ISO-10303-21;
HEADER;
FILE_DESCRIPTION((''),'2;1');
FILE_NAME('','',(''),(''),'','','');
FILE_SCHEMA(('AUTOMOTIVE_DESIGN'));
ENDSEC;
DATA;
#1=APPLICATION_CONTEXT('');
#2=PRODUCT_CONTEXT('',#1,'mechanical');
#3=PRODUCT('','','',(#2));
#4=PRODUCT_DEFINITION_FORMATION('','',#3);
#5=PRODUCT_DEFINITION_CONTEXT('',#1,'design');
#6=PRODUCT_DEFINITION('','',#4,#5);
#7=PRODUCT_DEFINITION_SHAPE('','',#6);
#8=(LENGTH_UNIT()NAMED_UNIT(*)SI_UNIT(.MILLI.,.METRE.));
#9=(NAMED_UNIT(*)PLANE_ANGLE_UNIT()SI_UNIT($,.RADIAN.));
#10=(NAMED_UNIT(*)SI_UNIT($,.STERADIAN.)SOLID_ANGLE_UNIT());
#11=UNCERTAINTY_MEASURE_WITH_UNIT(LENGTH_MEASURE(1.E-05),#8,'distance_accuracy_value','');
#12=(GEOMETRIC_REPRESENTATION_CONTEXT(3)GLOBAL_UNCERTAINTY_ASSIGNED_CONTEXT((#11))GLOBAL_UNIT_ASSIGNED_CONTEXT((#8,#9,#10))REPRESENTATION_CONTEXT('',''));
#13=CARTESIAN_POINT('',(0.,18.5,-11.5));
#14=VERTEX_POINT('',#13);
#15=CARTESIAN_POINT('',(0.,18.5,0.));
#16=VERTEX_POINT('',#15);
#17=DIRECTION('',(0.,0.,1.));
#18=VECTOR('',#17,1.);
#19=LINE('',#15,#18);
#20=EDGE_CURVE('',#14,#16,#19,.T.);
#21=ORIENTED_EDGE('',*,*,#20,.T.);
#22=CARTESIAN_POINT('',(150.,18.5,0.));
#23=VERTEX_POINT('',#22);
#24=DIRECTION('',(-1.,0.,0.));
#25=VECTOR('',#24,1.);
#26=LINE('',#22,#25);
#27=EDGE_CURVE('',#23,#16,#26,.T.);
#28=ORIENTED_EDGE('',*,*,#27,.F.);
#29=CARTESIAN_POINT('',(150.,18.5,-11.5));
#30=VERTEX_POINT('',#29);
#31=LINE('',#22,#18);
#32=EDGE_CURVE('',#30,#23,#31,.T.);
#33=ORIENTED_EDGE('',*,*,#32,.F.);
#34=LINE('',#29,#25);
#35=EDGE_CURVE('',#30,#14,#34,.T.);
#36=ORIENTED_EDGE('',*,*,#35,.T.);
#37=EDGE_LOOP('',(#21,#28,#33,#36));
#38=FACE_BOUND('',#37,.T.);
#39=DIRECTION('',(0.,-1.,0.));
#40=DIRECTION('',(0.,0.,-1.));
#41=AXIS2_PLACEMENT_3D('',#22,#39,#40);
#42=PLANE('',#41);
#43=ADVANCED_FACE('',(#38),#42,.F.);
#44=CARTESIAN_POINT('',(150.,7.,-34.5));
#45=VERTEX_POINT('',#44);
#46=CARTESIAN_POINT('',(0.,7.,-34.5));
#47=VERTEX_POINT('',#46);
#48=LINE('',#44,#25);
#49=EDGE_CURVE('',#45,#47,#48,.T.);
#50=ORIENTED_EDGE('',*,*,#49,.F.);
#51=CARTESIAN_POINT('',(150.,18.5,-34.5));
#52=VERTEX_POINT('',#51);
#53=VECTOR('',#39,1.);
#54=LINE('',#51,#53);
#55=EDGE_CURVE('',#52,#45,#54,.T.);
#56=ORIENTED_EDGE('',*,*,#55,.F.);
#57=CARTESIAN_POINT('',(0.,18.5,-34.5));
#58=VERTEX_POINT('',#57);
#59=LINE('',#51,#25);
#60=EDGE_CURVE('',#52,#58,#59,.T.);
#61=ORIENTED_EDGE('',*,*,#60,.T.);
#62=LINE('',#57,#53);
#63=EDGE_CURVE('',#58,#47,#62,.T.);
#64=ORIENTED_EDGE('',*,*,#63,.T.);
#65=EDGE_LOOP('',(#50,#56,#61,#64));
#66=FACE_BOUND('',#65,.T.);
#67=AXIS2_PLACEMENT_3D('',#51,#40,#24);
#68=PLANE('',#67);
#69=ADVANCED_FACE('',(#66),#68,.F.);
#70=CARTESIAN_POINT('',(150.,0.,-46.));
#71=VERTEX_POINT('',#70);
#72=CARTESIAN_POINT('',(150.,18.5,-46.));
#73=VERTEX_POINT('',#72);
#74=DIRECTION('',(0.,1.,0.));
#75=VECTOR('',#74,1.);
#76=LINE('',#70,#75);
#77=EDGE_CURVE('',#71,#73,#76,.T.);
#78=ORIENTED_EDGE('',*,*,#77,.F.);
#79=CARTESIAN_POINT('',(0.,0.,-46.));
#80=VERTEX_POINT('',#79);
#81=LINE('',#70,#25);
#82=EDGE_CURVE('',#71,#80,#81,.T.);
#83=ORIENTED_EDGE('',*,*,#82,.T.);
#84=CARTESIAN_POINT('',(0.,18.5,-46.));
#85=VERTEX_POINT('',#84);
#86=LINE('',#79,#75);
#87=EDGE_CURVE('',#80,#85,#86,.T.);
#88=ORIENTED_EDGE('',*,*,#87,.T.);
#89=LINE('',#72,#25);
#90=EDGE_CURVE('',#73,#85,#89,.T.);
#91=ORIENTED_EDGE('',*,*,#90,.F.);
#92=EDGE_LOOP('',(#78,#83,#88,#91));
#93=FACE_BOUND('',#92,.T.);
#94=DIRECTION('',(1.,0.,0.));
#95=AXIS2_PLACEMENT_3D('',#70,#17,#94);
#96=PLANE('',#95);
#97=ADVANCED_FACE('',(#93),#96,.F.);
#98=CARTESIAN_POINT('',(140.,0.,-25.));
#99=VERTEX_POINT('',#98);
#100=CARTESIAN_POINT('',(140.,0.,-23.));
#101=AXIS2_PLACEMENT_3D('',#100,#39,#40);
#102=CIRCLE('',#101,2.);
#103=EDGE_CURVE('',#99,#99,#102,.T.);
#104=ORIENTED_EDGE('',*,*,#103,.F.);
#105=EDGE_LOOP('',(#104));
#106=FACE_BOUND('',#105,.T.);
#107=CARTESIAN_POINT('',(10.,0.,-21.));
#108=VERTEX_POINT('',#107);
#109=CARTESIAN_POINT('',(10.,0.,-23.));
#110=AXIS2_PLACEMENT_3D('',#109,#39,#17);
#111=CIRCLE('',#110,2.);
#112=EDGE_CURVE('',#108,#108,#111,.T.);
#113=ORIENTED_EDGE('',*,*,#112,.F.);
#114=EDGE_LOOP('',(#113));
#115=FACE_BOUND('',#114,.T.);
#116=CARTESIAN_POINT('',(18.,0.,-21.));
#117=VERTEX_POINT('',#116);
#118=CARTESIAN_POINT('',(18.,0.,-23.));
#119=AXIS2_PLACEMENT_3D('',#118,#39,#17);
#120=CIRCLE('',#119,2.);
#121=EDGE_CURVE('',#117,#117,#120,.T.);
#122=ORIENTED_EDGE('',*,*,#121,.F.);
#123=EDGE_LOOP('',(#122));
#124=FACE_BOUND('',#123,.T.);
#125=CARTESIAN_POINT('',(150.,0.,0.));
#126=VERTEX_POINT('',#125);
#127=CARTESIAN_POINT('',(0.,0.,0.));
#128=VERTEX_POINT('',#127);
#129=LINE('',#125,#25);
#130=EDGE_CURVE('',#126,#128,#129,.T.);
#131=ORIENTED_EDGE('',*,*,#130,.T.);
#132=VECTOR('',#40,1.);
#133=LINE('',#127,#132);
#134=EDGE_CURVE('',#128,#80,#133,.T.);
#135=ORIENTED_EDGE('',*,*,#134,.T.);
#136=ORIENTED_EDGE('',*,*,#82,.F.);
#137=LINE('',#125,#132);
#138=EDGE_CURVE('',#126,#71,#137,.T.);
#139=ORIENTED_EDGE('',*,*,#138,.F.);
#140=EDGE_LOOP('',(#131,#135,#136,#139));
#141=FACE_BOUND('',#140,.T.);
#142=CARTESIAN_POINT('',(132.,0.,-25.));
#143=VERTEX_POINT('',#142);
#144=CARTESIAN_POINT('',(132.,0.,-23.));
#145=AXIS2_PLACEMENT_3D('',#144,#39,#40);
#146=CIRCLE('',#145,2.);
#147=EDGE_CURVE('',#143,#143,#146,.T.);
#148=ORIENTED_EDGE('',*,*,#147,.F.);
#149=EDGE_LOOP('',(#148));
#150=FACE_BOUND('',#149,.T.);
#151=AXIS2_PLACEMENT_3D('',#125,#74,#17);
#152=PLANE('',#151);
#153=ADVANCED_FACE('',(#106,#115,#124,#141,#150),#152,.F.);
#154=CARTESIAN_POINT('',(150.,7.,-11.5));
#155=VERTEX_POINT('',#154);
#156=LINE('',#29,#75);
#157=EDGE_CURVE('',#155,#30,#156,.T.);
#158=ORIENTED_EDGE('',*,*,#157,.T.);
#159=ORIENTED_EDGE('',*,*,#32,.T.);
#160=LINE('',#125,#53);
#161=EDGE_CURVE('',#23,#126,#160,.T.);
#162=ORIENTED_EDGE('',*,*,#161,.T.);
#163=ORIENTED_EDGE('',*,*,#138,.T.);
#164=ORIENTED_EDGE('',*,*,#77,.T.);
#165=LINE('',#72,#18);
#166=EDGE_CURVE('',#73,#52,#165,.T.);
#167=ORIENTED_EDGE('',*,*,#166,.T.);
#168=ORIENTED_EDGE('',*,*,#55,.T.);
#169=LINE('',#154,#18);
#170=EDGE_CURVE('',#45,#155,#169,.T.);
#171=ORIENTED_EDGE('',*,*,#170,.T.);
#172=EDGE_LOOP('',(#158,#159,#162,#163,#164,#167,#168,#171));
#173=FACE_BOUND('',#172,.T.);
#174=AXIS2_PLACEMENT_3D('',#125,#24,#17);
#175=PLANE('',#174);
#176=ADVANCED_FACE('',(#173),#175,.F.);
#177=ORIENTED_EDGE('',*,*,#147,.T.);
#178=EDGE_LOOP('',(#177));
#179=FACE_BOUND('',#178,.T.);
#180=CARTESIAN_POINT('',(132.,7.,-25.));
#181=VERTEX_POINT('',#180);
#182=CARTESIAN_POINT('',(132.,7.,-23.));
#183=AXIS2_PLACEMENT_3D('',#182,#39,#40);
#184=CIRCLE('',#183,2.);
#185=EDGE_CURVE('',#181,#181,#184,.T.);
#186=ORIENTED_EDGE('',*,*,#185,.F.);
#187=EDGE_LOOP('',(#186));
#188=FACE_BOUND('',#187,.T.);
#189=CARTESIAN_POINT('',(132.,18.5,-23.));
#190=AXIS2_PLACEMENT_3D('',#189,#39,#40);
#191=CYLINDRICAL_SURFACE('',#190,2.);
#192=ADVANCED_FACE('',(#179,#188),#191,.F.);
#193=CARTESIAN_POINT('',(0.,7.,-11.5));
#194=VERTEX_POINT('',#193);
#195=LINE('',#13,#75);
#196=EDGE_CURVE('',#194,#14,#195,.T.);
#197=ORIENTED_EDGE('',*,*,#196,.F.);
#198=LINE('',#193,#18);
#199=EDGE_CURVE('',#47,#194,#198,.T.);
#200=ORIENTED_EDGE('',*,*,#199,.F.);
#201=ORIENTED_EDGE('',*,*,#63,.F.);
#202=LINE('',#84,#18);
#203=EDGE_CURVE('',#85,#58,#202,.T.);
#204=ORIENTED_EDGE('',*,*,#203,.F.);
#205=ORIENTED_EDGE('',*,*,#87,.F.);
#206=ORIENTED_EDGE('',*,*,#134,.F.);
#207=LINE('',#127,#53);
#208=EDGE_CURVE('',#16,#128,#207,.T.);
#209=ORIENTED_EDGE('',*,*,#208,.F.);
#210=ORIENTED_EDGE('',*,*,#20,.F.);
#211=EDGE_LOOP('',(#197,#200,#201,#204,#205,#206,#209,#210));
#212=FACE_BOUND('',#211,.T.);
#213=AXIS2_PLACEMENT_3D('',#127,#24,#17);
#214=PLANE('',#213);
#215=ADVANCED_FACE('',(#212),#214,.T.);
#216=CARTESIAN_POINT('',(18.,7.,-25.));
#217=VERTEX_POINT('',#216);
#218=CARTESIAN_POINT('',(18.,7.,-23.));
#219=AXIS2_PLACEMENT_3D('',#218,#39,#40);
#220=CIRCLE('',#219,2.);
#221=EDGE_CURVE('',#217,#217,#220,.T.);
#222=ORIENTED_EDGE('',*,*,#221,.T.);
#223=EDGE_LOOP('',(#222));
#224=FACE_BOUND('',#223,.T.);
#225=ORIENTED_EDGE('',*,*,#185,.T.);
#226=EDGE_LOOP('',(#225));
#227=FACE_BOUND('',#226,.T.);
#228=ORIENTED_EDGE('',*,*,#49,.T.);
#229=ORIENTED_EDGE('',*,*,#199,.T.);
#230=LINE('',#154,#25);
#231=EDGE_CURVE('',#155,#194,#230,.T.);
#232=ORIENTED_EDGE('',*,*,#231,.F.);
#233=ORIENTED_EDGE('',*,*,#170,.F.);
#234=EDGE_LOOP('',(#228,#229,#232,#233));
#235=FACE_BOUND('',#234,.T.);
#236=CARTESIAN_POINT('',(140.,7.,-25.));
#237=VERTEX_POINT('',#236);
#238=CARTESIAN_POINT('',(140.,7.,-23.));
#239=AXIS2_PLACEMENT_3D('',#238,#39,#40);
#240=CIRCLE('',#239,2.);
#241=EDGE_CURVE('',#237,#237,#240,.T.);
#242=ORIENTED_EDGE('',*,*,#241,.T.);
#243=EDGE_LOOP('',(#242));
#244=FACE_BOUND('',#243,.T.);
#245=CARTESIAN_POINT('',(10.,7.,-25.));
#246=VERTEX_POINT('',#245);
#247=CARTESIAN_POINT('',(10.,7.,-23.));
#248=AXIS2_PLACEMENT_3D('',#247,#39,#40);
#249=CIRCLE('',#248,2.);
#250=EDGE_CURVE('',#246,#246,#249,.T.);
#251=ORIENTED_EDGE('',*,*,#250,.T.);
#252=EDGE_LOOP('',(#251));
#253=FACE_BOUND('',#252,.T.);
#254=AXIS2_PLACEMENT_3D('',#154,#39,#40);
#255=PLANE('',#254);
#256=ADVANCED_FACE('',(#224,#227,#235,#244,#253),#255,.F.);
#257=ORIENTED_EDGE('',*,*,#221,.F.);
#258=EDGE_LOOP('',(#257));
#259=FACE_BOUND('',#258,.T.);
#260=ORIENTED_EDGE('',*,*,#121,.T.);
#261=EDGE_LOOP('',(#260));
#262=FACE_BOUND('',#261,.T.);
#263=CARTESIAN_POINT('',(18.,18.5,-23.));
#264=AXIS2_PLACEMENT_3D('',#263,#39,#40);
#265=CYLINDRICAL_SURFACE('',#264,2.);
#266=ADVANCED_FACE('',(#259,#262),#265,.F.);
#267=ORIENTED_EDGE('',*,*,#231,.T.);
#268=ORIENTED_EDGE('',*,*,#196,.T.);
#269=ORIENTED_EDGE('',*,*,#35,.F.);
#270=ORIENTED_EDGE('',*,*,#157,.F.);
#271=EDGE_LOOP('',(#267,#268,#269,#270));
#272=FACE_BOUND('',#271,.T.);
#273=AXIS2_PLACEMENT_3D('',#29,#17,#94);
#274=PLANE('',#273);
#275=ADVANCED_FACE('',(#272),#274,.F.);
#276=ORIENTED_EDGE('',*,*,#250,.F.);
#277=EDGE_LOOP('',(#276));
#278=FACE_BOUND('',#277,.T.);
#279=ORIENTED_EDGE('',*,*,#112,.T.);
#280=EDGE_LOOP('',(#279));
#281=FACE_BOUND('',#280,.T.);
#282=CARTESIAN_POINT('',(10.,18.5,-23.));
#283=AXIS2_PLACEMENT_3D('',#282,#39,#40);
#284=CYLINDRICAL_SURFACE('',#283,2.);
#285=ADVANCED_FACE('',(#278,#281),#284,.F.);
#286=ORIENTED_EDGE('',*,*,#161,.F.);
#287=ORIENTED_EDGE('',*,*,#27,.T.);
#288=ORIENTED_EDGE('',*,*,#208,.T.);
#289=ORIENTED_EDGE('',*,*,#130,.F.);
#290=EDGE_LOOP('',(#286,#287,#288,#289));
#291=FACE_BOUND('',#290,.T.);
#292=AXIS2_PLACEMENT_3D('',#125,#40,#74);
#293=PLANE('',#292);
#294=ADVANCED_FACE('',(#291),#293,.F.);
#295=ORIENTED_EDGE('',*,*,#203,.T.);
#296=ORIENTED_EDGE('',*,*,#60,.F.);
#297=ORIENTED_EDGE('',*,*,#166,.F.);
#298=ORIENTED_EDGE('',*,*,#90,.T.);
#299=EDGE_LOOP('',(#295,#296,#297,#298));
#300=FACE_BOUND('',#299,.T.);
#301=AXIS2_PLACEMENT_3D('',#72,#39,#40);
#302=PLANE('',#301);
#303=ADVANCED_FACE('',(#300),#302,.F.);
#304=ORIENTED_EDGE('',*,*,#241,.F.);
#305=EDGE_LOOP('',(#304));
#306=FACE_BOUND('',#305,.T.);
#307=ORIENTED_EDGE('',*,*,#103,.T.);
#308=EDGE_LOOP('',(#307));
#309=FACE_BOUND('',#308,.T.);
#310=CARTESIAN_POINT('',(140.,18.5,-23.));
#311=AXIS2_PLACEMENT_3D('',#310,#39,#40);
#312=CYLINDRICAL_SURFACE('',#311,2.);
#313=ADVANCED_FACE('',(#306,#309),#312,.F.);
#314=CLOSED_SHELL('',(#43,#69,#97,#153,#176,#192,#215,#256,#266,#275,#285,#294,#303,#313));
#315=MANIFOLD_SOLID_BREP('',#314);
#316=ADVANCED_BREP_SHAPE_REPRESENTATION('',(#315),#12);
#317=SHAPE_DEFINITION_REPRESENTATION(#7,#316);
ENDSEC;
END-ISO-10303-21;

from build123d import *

# Parameters (mm, degrees)
EXTRUDE_1_DEPTH     = 150
SKETCH_2_R          = 2
CUT_EXTRUDE_1_DEPTH = 158.98180275


with BuildPart() as part:
    # 草图1 → 凸台-拉伸1 (new body)
    with BuildSketch(Plane(origin=(0, 0, 0), x_dir=(0, 0, -1), z_dir=(1, 0, 0))):
        Polygon((0, 18.5), (11.5, 18.5), (11.5, 7), (34.5, 7), (34.5, 18.5), (46, 18.5), (46, 0), (0, 0), align=None)
    extrude(amount=EXTRUDE_1_DEPTH)

    # 草图2 → 切除-拉伸1 (cut, through all)
    with BuildSketch(Plane(origin=(0, 0, 0), x_dir=(-1, 0, 0), z_dir=(0, -1, 0))):
        with Locations(Location((-140, 23, 0), (0, 0, 90))):
            Circle(SKETCH_2_R)
        with Locations(Location((-10, 23, 0), (0, 0, 90))):
            Circle(SKETCH_2_R)
        with Locations(Location((-132, 23, 0), (0, 0, 90))):
            Circle(SKETCH_2_R)
        with Locations(Location((-18, 23, 0), (0, 0, 90))):
            Circle(SKETCH_2_R)
    extrude(amount=-CUT_EXTRUDE_1_DEPTH, mode=Mode.SUBTRACT)


solid = part.part
